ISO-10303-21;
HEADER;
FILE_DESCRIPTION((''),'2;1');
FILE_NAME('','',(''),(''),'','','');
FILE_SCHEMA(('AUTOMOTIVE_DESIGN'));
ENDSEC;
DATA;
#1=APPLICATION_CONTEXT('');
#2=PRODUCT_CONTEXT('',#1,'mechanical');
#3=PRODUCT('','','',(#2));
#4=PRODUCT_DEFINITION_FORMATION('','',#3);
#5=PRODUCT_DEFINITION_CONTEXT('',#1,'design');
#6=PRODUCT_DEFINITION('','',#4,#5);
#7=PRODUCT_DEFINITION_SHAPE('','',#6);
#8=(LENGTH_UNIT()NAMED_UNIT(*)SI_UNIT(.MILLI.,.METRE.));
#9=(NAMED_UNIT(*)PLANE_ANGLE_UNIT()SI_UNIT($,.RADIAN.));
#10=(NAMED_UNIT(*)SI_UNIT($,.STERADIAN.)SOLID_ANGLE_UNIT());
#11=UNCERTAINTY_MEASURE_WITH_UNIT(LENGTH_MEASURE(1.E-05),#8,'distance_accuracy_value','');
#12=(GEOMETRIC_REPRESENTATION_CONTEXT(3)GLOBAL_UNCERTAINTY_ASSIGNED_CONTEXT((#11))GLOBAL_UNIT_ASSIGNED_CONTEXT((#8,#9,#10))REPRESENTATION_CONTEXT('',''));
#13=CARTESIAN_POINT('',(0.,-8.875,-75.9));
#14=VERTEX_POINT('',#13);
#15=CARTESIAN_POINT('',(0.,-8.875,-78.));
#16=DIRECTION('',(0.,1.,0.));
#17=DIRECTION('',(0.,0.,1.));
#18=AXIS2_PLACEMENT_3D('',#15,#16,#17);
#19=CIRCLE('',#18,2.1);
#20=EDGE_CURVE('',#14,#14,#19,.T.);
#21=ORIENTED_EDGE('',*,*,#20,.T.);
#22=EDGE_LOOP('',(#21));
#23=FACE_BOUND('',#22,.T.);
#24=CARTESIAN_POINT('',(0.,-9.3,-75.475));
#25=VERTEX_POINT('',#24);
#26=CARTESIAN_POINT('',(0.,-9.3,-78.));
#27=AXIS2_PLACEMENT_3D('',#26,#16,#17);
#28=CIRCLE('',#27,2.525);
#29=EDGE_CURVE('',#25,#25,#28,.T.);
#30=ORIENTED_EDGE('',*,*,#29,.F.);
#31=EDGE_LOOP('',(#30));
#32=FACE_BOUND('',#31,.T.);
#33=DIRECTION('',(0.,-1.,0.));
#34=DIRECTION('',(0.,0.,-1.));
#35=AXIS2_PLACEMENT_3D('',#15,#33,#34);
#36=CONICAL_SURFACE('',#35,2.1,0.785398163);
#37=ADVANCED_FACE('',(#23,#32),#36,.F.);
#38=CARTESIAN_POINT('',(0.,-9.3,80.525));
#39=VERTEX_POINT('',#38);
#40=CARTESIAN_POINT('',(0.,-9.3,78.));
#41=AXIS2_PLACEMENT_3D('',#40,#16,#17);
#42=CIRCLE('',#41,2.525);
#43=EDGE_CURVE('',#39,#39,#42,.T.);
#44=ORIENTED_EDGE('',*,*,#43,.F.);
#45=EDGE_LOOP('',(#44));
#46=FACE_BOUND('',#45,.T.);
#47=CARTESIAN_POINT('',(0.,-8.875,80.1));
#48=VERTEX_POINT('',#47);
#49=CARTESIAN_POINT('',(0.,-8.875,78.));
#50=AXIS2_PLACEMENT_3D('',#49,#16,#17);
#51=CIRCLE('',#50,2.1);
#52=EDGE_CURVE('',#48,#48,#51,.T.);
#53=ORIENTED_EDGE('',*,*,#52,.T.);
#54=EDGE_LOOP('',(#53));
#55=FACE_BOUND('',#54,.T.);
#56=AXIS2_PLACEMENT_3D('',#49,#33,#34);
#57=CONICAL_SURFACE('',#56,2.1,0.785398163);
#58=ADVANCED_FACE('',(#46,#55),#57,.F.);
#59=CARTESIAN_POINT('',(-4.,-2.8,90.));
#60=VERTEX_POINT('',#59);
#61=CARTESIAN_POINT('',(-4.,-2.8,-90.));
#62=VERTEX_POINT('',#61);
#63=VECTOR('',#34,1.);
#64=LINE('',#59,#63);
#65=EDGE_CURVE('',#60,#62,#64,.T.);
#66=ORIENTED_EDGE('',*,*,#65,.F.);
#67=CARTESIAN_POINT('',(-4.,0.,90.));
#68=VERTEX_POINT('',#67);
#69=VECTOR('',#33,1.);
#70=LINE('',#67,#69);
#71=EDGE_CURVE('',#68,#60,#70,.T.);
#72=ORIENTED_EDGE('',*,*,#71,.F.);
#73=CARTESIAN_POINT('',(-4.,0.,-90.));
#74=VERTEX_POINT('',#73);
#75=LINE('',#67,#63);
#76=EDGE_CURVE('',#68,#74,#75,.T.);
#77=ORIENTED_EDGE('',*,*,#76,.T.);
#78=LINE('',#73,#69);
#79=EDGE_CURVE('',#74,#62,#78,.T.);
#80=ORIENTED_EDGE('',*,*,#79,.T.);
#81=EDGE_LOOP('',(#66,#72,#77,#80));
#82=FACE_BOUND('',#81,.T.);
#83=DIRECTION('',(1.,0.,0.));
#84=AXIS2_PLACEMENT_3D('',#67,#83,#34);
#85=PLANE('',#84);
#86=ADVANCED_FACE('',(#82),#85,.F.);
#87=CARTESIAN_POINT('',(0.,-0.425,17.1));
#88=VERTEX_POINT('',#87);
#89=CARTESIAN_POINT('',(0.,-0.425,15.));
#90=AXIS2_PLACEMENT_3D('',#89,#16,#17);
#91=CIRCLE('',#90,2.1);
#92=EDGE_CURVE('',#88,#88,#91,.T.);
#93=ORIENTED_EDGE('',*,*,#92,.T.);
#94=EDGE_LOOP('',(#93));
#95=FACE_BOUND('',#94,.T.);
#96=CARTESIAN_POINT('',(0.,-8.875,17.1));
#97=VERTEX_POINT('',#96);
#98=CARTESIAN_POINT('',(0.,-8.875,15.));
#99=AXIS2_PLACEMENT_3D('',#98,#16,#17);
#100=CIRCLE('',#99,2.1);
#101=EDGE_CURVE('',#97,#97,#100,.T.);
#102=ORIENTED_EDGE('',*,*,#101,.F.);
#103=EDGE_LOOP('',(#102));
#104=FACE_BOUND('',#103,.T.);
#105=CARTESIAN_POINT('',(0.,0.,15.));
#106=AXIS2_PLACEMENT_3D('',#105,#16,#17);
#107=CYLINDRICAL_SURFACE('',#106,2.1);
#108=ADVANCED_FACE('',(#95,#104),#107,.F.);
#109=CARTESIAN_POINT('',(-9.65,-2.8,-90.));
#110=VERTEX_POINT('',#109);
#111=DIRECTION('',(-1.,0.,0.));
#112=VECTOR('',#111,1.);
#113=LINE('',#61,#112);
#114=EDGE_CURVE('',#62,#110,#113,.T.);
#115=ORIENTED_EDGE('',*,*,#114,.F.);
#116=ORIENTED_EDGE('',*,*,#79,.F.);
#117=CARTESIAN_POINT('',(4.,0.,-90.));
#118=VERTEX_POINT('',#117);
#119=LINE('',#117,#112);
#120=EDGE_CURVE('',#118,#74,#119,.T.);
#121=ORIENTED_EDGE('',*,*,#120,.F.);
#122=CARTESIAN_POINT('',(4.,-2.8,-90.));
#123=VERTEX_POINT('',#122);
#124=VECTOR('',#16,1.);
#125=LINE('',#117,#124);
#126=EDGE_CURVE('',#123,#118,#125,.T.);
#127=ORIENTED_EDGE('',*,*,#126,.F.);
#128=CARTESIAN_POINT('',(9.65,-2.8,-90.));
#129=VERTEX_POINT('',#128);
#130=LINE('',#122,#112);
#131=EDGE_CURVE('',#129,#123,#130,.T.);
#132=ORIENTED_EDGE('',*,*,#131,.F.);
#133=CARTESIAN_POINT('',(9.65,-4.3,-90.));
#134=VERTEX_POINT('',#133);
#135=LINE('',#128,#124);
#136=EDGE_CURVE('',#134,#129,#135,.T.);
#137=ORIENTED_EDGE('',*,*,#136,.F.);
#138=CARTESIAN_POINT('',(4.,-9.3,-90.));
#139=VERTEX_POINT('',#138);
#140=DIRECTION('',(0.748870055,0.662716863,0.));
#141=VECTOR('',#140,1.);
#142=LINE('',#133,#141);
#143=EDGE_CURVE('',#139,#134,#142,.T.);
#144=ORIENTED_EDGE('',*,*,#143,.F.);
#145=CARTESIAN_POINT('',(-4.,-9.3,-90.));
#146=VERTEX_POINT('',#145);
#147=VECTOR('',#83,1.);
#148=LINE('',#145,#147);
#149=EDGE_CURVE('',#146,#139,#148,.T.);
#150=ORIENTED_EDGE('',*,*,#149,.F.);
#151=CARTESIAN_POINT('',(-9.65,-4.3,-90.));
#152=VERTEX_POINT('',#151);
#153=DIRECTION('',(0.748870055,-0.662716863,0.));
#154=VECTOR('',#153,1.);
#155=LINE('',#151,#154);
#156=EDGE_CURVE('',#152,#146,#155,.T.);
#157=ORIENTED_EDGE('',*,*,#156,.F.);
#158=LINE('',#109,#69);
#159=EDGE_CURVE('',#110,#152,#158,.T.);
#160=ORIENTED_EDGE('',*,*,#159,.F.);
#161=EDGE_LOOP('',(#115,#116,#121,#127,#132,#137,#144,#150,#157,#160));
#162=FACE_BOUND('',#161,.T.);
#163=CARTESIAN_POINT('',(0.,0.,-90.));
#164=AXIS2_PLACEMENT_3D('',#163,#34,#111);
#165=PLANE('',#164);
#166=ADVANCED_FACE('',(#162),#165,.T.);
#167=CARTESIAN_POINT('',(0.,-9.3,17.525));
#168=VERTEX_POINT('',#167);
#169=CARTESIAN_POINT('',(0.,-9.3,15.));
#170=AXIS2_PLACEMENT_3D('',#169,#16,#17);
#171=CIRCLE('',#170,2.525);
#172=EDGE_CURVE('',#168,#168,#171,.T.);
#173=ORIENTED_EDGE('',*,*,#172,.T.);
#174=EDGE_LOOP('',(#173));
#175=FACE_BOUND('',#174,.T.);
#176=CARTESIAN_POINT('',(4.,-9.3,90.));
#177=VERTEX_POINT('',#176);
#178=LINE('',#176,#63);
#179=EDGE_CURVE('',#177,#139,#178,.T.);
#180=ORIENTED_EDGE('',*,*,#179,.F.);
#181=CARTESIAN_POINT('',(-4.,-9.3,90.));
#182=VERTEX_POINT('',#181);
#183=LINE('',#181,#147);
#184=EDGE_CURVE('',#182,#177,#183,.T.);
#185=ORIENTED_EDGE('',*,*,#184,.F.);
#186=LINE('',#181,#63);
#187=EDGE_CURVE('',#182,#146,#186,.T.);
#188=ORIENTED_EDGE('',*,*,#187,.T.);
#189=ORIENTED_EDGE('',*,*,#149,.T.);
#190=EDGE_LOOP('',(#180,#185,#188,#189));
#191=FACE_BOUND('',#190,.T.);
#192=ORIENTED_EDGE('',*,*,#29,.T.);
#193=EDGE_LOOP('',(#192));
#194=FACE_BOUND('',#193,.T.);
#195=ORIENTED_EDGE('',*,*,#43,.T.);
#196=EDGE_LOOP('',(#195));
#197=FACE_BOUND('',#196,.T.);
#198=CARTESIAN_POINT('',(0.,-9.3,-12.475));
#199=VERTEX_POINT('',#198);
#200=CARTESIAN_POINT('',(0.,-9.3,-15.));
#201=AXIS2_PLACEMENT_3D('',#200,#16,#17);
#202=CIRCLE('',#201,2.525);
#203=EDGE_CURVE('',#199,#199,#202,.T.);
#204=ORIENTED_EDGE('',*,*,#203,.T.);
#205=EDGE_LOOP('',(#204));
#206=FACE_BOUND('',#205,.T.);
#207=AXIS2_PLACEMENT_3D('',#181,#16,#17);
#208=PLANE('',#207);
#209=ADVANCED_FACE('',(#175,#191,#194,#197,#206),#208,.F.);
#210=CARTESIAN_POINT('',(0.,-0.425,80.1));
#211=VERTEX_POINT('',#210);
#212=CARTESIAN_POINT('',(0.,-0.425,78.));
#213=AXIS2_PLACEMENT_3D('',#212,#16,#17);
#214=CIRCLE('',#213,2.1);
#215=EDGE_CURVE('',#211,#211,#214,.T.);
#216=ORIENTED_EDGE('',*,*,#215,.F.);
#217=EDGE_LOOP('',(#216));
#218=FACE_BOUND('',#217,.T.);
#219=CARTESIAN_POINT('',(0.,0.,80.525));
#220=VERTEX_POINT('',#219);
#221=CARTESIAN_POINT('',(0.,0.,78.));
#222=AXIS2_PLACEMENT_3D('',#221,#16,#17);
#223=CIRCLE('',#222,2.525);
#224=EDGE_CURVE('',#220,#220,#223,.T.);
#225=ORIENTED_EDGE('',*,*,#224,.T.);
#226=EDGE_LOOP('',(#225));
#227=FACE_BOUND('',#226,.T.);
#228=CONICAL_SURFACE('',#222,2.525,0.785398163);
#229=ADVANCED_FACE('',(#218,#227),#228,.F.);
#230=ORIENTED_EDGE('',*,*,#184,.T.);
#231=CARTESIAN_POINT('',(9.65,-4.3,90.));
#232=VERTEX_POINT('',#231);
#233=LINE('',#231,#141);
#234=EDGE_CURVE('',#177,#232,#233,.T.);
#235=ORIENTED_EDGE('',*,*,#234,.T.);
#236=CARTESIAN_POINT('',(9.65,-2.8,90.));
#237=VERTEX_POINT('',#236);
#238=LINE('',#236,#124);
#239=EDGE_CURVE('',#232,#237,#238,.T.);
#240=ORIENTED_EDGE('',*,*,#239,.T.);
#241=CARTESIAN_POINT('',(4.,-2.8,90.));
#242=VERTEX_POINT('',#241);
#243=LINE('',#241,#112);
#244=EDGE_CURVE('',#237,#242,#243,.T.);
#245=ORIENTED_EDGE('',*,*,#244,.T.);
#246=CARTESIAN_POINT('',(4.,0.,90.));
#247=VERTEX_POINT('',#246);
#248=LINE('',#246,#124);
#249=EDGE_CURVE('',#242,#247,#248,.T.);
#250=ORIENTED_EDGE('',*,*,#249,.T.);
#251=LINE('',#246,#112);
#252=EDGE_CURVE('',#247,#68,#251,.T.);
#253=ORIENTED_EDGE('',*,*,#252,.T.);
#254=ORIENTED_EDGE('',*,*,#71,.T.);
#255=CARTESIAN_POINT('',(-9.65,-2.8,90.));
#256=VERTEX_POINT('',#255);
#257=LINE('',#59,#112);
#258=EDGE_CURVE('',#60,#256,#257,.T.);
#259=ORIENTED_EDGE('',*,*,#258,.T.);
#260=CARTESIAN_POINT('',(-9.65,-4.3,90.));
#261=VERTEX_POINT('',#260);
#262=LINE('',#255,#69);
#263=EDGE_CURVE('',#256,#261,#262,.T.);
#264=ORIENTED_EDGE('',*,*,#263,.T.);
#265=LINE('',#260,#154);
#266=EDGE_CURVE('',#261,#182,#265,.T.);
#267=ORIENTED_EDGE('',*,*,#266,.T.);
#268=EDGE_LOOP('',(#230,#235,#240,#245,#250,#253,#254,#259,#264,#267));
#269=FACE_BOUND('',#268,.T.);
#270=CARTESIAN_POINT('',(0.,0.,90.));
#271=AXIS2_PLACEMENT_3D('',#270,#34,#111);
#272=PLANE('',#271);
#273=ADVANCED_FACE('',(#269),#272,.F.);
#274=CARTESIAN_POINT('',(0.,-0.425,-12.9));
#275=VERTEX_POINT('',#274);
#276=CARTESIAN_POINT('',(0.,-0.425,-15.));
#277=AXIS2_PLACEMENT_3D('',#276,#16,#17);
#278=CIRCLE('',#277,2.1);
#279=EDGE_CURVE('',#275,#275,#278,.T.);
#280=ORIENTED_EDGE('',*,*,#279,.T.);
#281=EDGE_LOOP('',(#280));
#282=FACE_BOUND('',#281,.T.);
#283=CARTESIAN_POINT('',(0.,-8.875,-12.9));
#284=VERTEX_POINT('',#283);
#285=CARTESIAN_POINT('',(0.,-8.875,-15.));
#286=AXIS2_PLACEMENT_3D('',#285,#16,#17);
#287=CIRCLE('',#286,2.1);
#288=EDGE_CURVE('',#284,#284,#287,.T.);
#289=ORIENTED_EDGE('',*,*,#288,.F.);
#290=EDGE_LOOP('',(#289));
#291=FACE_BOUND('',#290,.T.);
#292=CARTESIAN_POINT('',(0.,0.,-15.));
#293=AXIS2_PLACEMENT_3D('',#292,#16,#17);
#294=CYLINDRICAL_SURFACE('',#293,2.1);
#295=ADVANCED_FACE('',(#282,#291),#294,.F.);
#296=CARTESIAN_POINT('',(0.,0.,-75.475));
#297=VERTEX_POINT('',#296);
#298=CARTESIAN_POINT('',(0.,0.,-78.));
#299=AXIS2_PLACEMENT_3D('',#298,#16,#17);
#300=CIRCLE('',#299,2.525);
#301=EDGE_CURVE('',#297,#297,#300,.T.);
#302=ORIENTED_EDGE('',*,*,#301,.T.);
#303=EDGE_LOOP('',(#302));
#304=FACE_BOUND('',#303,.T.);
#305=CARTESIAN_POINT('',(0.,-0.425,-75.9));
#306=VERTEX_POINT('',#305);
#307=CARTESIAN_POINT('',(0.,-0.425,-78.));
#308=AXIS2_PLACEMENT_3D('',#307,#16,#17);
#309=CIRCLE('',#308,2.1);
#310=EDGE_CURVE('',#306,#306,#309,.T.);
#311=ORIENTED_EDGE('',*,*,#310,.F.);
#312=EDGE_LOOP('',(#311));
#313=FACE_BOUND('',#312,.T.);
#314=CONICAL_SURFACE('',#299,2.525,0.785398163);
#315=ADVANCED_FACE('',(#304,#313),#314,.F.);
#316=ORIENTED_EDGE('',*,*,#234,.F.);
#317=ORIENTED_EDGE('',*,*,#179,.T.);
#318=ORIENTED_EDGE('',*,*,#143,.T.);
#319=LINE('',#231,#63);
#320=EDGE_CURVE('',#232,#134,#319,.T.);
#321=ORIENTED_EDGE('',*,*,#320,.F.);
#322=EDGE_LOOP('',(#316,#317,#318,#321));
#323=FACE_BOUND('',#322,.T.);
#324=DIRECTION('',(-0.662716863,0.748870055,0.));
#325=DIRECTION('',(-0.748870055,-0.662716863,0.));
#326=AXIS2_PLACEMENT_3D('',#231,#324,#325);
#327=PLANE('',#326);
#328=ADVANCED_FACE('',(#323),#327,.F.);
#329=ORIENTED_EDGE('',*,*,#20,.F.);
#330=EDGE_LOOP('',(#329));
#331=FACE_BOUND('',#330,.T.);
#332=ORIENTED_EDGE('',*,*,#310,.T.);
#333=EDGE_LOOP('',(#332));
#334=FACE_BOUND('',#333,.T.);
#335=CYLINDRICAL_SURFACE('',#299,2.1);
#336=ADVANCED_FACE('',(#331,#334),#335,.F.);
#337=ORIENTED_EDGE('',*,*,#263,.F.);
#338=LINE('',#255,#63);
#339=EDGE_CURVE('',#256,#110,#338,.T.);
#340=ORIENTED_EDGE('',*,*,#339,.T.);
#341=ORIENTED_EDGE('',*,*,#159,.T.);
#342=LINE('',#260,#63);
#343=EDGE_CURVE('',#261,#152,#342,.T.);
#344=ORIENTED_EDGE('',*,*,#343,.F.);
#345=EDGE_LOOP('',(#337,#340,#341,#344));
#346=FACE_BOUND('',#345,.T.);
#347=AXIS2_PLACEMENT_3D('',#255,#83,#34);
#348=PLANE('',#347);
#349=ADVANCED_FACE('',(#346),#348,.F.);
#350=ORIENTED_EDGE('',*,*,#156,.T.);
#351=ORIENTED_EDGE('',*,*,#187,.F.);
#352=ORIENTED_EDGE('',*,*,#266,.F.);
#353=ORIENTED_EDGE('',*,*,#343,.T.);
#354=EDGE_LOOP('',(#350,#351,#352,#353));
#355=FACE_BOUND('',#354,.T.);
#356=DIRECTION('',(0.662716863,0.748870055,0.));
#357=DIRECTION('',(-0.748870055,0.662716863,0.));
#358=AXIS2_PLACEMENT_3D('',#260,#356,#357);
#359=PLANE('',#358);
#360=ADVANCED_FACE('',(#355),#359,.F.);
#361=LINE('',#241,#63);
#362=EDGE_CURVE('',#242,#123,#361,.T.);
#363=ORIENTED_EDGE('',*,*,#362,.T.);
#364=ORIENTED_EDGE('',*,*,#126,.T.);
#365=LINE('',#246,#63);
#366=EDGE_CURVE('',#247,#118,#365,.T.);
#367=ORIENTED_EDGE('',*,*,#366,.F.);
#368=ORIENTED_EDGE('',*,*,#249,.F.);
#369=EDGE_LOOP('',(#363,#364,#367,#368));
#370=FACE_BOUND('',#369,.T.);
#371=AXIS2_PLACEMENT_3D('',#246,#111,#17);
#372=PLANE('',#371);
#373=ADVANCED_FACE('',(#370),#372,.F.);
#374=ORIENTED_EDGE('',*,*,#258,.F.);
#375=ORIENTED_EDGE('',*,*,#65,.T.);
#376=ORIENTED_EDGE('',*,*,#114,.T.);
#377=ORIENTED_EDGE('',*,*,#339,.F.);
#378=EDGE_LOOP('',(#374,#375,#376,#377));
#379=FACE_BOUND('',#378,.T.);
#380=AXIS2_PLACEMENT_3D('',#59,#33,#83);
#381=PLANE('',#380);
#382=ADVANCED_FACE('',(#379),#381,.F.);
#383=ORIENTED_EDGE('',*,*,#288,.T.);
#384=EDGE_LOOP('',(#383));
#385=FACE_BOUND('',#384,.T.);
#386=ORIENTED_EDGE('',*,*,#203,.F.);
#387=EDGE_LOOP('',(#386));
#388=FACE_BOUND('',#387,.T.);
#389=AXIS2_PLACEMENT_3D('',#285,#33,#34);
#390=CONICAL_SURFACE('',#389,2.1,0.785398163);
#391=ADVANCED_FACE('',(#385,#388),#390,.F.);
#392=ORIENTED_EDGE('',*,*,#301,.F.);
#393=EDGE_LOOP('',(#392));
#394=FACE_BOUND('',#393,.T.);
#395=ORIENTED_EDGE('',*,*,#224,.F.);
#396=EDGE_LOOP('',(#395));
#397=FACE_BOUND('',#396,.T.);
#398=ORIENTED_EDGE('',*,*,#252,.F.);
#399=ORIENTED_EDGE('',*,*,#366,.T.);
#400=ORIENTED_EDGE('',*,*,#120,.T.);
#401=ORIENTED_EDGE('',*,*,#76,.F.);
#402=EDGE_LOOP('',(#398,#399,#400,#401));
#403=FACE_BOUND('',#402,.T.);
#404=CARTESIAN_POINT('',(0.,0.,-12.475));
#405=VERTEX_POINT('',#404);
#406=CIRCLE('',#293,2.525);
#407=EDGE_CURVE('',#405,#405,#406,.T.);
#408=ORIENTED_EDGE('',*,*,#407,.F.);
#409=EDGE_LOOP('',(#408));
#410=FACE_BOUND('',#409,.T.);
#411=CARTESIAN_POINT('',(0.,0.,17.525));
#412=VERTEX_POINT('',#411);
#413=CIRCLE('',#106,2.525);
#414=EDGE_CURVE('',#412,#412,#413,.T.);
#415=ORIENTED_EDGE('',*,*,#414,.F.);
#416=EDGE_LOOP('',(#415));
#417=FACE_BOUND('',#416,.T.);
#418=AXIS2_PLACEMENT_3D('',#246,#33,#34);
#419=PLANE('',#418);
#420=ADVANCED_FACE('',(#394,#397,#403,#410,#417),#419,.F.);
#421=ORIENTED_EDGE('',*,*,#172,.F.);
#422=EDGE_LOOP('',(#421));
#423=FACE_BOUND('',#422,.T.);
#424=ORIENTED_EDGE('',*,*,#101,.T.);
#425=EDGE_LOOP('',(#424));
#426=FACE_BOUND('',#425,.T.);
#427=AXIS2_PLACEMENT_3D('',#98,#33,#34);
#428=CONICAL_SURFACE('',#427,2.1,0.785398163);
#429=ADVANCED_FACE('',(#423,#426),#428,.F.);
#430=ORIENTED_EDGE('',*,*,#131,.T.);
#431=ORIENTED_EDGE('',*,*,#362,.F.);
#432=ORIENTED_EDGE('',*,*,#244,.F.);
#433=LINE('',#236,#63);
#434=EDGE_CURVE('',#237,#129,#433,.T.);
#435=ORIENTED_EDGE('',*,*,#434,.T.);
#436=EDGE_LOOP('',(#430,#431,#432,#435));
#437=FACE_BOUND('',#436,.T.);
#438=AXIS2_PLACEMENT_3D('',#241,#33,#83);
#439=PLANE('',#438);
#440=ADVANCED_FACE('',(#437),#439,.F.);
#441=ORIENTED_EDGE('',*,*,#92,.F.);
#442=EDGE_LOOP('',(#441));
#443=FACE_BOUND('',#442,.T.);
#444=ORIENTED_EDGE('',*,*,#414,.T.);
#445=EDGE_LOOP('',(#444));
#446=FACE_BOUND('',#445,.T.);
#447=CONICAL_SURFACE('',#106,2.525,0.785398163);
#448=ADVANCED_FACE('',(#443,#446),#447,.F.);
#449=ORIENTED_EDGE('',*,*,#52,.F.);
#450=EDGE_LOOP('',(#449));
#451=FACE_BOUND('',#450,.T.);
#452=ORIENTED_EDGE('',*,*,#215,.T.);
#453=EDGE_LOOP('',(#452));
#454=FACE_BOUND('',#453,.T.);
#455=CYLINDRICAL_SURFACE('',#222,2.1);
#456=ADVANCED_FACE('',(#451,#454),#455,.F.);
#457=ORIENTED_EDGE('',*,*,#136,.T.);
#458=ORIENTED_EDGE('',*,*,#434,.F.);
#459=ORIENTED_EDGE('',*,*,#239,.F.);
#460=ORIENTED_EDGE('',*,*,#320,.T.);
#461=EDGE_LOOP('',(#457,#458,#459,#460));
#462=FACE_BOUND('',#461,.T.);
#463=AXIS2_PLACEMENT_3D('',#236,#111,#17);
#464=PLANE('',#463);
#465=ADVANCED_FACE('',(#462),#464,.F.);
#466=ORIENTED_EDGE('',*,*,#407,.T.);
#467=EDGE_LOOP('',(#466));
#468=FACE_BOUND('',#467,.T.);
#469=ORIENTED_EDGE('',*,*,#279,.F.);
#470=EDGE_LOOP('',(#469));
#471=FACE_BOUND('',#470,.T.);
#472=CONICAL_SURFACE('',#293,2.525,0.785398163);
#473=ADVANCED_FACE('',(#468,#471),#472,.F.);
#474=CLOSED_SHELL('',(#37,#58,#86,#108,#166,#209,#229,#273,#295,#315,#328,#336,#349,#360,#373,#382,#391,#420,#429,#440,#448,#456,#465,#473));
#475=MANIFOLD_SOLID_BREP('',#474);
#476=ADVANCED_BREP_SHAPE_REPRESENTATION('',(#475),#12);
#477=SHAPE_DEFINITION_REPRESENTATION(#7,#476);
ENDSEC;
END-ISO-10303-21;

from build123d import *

# Parameters (mm, degrees)
EXTRUDE_1_DEPTH            = 90
HOLE_WIZARD_M52_AT_2_COUNT = 2
HOLE_WIZARD_M52_AT_2_PITCH = 63
HOLE_WIZARD_M52_AT_3_COUNT = 2
HOLE_WIZARD_M52_AT_3_PITCH = 93
HOLE_WIZARD_M52_AT_4_COUNT = 2
HOLE_WIZARD_M52_AT_4_PITCH = 156


with BuildPart() as part:
    # Эскиз1 → Бобышка-Вытянуть1 (new body, symmetric)
    with BuildSketch(Plane.XY):
        Polygon((4, 0), (-4, 0), (-4, -2.8), (-9.65, -2.8), (-9.65, -4.3), (-4, -9.3), (4, -9.3), (9.65, -4.3), (9.65, -2.8), (4, -2.8), align=None)
    extrude(amount=EXTRUDE_1_DEPTH, both=True)

    # Эскиз6 → Отверстие обработанное метчиком M52 (revolve, cut)
    with BuildSketch(Plane(origin=(0, 0, -78), x_dir=(0, 0, 1), z_dir=(1, 0, 0))):
        Polygon((0, 0), (0, 9.3), (2.525, 9.3), (2.1, 8.875), (2.1, 0.425), (2.525, 0), align=None)
    hole_wizard_m52 = revolve(axis=Axis((0, 6.35, -78), (0, -1, 0)), mode=Mode.SUBTRACT)

    # Отверстие обработанное метчиком M52 at 2: Отверстие обработанное метчиком M52 ×2
    with Locations(*[(0, 0, i * HOLE_WIZARD_M52_AT_2_PITCH) for i in range(1, HOLE_WIZARD_M52_AT_2_COUNT)]):
        add(hole_wizard_m52, mode=Mode.SUBTRACT)

    # Отверстие обработанное метчиком M52 at 3: Отверстие обработанное метчиком M52 ×2
    with Locations(*[(0, 0, i * HOLE_WIZARD_M52_AT_3_PITCH) for i in range(1, HOLE_WIZARD_M52_AT_3_COUNT)]):
        add(hole_wizard_m52, mode=Mode.SUBTRACT)

    # Отверстие обработанное метчиком M52 at 4: Отверстие обработанное метчиком M52 ×2
    with Locations(*[(0, 0, i * HOLE_WIZARD_M52_AT_4_PITCH) for i in range(1, HOLE_WIZARD_M52_AT_4_COUNT)]):
        add(hole_wizard_m52, mode=Mode.SUBTRACT)


solid = part.part
